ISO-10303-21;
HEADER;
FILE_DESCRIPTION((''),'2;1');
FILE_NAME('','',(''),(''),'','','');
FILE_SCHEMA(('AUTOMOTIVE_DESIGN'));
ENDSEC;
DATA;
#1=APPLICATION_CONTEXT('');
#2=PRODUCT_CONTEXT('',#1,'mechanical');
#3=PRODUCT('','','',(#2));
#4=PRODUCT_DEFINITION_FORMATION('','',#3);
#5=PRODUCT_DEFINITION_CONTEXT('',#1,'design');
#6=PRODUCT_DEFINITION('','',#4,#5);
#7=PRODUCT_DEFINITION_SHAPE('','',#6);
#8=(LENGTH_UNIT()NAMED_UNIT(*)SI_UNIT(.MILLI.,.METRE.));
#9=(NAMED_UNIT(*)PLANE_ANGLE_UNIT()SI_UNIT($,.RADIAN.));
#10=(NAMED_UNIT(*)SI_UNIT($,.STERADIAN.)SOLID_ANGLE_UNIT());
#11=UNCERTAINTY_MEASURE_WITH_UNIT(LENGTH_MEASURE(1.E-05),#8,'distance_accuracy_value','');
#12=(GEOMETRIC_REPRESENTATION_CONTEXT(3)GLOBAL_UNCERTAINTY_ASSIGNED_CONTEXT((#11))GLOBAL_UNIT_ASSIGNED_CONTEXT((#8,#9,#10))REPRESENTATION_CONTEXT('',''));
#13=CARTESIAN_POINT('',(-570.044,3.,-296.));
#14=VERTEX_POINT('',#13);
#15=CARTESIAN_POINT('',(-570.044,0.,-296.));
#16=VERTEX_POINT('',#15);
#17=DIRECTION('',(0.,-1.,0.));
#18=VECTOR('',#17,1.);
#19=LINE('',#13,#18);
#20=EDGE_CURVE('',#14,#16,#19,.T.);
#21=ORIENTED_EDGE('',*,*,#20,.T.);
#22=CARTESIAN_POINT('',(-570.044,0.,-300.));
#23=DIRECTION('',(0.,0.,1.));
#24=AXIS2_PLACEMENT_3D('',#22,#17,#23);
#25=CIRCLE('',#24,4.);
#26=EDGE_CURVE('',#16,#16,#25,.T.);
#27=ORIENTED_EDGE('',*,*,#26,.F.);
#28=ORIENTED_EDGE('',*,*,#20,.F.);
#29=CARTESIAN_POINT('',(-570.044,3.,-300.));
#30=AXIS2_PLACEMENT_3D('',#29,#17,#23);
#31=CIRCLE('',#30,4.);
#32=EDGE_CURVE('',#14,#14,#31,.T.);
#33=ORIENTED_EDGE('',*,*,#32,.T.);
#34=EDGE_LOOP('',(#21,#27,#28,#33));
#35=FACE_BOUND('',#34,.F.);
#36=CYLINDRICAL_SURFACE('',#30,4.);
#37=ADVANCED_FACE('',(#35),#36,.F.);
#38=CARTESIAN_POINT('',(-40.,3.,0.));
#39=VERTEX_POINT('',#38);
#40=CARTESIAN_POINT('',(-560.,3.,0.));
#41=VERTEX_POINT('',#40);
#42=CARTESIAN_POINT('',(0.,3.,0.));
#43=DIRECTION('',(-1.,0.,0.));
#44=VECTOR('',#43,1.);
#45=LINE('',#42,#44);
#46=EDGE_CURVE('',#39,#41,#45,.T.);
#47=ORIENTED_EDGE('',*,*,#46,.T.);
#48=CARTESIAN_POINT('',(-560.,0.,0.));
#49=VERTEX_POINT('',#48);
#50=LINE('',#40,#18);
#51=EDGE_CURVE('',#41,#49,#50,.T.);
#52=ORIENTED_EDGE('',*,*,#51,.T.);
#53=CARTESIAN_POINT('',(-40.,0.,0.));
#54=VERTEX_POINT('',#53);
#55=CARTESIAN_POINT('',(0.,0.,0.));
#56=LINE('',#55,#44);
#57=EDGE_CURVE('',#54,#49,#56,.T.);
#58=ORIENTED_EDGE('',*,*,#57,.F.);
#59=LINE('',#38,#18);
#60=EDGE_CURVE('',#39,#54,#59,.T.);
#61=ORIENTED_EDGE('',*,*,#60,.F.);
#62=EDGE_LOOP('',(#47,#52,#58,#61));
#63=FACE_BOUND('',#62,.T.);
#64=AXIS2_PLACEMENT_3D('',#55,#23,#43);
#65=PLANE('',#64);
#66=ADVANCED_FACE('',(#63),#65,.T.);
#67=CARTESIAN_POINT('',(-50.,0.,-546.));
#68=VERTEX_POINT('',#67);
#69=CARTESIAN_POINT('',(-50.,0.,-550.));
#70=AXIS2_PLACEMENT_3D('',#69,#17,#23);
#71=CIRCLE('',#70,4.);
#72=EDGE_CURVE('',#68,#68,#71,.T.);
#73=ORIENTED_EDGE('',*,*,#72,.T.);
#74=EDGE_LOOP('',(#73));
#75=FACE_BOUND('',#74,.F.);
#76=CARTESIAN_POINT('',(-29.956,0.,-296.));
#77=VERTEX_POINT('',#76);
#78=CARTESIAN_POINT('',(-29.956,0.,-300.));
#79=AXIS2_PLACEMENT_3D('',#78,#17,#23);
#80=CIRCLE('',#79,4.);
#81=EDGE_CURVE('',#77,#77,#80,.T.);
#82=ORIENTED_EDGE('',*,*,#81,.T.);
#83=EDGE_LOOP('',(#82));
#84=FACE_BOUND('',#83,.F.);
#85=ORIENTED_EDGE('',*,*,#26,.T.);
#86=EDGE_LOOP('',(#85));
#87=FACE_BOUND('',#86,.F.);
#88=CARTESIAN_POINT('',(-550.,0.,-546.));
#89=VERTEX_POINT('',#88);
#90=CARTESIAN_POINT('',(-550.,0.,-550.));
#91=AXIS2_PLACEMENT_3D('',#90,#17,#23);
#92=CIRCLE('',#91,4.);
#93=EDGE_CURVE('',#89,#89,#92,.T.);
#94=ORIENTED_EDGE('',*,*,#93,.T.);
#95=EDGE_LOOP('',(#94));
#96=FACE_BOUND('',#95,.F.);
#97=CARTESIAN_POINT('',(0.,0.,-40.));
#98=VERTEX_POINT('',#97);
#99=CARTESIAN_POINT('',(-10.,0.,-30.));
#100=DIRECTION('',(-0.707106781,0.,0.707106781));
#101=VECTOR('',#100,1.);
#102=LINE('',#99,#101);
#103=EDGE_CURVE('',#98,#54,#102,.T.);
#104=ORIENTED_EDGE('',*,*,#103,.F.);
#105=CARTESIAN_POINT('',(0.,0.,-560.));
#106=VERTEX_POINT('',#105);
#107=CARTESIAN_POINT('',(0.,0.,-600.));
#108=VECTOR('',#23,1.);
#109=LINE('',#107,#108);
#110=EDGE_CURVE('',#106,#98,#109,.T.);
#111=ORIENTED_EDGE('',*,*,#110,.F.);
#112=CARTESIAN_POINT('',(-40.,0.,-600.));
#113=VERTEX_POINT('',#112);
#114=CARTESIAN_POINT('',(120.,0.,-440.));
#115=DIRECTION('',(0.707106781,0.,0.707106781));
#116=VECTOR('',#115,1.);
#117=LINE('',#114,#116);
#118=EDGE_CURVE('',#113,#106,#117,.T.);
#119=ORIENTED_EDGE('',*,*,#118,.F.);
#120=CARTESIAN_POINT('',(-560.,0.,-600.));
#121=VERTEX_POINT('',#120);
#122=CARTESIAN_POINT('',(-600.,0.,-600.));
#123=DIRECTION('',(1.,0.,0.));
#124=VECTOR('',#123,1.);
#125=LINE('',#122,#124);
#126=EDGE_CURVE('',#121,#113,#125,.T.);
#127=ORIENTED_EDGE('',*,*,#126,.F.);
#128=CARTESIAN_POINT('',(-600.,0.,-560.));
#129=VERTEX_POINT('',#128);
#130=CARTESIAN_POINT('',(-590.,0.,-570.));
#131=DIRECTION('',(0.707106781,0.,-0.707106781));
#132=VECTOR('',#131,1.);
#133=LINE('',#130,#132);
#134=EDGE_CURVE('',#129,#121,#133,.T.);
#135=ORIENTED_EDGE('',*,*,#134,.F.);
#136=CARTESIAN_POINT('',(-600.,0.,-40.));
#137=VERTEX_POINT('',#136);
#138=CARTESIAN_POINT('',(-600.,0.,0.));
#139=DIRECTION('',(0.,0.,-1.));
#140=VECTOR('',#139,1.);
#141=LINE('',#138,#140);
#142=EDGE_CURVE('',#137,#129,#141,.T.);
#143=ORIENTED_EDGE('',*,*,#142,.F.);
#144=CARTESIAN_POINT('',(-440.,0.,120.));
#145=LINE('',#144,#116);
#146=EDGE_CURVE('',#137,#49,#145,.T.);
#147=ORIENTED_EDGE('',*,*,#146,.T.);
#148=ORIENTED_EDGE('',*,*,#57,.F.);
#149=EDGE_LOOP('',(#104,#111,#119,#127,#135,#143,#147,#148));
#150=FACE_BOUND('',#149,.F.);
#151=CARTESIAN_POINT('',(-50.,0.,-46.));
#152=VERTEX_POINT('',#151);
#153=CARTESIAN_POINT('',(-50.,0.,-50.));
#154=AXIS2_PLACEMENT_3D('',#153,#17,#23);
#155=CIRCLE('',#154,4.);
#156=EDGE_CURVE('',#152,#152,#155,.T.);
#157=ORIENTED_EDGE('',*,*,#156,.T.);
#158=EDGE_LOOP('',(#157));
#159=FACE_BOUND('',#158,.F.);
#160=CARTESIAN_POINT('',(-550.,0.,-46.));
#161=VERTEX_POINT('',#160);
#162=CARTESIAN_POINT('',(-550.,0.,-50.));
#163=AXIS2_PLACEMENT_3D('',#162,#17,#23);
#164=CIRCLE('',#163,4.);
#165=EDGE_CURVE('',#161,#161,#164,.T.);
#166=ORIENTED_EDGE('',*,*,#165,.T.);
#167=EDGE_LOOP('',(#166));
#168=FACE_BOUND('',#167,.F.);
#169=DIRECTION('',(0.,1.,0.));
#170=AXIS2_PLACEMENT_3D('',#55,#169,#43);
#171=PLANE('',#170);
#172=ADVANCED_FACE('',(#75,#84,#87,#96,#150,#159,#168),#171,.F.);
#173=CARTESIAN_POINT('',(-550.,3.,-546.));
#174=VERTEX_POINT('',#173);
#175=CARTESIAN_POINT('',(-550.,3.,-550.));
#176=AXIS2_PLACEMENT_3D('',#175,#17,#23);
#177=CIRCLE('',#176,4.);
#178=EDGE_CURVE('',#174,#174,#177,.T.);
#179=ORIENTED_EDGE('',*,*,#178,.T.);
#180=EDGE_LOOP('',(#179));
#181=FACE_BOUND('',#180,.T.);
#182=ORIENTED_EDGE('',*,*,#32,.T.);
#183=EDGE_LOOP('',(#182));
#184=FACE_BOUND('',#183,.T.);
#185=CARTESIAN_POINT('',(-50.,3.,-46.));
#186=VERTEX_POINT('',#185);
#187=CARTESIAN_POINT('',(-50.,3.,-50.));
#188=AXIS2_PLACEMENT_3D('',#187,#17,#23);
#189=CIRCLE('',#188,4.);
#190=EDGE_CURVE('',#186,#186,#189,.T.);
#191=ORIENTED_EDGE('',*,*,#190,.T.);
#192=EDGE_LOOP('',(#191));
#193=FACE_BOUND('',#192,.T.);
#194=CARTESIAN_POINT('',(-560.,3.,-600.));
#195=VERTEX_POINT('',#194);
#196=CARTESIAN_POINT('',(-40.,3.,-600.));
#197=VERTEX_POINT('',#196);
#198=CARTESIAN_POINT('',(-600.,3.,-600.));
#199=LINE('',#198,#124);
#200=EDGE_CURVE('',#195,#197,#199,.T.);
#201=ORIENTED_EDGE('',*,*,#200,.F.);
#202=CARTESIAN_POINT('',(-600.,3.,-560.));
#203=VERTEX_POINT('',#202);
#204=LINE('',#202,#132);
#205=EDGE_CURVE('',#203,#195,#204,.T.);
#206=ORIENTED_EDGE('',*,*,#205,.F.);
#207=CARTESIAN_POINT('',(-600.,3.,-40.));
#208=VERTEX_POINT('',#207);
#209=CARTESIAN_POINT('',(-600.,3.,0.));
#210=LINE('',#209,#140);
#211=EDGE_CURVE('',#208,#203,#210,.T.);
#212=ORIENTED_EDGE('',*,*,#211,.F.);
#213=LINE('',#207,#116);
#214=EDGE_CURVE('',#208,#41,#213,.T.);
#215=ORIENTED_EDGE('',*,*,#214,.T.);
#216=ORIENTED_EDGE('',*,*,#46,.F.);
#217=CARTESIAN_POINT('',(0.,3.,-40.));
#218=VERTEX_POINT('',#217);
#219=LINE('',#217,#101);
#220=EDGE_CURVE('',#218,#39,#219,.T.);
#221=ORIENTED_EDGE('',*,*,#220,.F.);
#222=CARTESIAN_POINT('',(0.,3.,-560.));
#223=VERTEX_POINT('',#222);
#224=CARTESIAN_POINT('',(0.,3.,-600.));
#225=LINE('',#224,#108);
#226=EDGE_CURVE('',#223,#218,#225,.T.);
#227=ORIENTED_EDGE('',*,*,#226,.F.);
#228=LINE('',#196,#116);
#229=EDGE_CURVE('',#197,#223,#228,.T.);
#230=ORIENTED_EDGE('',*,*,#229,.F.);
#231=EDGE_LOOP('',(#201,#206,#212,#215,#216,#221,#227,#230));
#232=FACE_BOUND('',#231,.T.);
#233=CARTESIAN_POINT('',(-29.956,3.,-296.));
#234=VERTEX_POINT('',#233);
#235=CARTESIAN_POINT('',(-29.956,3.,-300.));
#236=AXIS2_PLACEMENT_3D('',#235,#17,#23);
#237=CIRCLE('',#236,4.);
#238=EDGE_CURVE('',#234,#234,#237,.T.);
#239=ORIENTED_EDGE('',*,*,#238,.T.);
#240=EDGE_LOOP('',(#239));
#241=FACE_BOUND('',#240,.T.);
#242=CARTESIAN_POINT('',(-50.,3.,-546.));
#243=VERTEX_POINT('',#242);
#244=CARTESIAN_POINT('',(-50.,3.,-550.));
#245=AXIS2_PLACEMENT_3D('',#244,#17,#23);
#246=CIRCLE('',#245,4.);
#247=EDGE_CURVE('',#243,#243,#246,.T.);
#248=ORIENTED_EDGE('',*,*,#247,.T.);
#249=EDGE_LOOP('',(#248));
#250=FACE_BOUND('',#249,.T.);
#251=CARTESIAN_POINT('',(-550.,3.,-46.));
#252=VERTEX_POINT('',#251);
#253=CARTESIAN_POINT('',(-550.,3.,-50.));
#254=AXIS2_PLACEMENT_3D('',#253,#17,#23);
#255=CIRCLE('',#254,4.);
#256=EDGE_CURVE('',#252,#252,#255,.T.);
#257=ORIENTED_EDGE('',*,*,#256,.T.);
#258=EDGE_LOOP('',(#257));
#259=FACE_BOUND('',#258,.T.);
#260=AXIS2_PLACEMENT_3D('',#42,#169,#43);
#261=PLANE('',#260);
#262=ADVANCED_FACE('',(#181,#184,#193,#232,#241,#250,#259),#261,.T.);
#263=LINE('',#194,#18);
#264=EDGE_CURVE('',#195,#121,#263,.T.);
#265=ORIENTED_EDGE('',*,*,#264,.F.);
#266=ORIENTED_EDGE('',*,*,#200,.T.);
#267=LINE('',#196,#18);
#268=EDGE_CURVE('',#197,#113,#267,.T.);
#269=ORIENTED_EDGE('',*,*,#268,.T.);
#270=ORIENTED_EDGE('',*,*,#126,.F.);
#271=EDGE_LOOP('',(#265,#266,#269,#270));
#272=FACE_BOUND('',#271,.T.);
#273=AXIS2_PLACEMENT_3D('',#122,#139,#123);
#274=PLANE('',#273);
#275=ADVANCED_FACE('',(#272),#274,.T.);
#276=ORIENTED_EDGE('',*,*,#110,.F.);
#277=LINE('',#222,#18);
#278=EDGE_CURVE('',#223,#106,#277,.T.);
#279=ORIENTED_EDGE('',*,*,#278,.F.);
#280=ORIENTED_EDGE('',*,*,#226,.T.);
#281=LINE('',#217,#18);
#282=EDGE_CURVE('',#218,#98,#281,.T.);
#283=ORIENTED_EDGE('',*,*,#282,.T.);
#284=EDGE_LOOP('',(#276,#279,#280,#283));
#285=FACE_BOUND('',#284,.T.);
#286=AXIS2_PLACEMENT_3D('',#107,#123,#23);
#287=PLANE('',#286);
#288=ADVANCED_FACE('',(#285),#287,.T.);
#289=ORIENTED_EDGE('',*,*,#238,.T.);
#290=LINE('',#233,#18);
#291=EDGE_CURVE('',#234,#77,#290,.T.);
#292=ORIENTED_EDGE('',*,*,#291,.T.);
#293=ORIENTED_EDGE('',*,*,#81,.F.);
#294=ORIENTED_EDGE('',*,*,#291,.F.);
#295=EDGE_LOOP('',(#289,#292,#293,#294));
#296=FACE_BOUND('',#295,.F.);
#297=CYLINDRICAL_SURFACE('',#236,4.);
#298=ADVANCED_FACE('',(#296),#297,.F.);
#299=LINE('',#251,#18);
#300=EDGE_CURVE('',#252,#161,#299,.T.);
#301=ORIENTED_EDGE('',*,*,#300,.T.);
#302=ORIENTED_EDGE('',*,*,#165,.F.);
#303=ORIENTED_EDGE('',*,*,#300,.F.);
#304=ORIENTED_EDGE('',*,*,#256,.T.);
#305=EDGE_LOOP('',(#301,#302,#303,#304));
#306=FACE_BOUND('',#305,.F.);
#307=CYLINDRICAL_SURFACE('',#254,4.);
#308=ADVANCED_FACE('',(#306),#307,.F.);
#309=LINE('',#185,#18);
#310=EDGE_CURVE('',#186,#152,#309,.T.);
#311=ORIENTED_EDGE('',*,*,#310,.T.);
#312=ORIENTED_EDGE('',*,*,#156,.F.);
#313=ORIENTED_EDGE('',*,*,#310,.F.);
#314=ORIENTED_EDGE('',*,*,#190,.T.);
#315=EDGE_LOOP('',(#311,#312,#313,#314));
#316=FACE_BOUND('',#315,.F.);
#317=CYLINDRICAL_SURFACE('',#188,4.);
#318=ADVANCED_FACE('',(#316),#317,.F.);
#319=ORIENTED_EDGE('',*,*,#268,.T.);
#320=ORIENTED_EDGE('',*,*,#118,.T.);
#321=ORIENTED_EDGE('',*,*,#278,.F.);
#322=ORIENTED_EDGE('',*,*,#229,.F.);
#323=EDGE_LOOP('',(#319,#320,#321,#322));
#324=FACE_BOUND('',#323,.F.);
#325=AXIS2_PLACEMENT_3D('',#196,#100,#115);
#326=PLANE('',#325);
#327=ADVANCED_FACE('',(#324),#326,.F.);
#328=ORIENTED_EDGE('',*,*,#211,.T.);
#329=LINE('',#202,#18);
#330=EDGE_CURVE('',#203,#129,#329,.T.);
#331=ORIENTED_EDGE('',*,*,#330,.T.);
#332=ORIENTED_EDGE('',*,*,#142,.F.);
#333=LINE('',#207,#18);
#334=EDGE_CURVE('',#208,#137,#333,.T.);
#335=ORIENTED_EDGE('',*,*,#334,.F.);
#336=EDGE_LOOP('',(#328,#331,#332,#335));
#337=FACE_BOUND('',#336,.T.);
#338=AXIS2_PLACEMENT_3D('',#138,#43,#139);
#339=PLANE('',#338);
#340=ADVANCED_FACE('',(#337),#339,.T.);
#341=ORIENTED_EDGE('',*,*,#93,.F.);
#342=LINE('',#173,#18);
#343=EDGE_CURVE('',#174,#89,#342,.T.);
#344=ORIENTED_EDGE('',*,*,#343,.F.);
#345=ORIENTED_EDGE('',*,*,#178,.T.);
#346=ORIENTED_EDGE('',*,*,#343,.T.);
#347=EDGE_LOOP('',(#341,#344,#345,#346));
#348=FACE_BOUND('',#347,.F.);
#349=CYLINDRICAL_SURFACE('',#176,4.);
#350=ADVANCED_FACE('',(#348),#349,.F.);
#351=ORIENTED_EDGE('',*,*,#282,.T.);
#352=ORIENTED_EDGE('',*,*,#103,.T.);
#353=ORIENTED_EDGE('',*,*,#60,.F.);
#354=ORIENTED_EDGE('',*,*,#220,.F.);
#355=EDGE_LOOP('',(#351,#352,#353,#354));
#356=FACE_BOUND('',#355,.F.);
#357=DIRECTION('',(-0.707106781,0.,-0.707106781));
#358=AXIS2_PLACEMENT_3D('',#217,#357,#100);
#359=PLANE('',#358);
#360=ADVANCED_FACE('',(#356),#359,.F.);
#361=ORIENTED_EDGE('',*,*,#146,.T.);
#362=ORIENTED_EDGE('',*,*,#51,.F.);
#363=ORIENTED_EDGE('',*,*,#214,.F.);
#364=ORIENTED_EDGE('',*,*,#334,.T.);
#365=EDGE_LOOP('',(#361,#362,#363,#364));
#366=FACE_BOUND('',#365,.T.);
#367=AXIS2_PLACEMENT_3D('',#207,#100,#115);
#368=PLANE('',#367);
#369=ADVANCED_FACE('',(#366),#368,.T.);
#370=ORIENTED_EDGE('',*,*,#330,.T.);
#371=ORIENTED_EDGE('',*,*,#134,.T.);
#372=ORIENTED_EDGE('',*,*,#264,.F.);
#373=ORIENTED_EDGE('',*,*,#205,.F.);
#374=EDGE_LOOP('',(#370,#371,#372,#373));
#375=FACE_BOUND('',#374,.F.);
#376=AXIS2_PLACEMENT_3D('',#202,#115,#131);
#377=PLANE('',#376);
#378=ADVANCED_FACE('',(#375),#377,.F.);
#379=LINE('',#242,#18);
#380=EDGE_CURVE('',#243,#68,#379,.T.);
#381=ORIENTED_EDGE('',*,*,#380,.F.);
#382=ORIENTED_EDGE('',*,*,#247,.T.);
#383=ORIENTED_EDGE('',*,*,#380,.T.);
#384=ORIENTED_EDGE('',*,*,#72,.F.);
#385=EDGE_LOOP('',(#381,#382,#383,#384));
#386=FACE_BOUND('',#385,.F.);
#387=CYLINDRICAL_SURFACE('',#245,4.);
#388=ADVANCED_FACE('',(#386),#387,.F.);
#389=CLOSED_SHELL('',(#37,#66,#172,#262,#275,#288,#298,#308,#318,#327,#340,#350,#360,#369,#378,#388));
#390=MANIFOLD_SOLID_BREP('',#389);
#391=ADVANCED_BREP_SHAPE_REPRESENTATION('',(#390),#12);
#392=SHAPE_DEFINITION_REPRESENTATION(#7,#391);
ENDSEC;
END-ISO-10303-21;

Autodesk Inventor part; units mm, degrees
ref_plane "YZ Plane" through (0, 0, 0) normal (1, 0, 0) x (0, 1, 0)
ref_plane "XZ Plane" through (0, 0, 0) normal (0, 1, 0) x (-1, 0, 0)
ref_plane "XY Plane" through (0, 0, 0) normal (0, 0, 1) x (1, 0, 0)
sketch "Esboço1" plane through (0, 0, 0) normal (0, 1, 0) x (-1, 0, 0)
  line L0 (0, 0) -> (600, 0)
  line L1 (600, 0) -> (600, -600)
  line L2 (600, -600) -> (0, -600)
  line L3 (0, -600) -> (0, 0)
extrude "Extrusão1" add sketch "Esboço1" along normal blind 3
sketch "Esboço2" plane through (0, 3, 0) normal (0, 1, 0) x (1, 0, 0)
  point P0 (0, 0)
  point P1 (-50, 50)
  point P2 (-550, 50)
  point P3 (-50, 550)
  point P4 (-550, 550)
hole "Furo1" at (-50, 3, -50) at (-550, 3, -50) at (-50, 3, -550) at (-550, 3, -550) direction (0, -1, 0) diameter 8 end through all
sketch "Esboço3" plane through (0, 3, 0) normal (0, 1, 0) x (1, 0, 0)
  line L0 (0, 0) -> (0, 600) projected
  line L1 (-600, 600) -> (-600, 0) projected
  point P0 (-29.956, 300)
  point P1 (-570.044, 300)
  dimension "d18" = 29.956
  dimension "d19" = 29.956
hole "Furo2" at (-29.956, 3, -300) at (-570.044, 3, -300) direction (0, -1, 0) diameter 8 end through all
sketch "Esboço4" plane through (0, 3, 0) normal (0, 1, 0) x (1, 0, 0)
  line L0 (-600, 0) -> (0, 0) projected
  line L1 (0, 0) -> (0, 40)
  line L2 (0, 0) -> (0, 600) projected
  line L3 (0, 40) -> (-40, 0)
  line L4 (-40, 0) -> (0, 0)
  line L5 (0, 600) -> (-40, 600)
  line L6 (0, 600) -> (-600, 600) projected
  line L7 (-40, 600) -> (0, 560)
  line L8 (0, 600) -> (0, 560)
  line L9 (-600, 600) -> (-600, 0) projected
  line L10 (-600, 600) -> (-600, 560)
  line L11 (-600, 560) -> (-560, 600)
  line L12 (-560, 600) -> (-600, 600)
  line L13 (-600, 0) -> (-600, 40)
  line L14 (-600, 40) -> (-560, 0)
  line L15 (-560, 0) -> (-600, 0)
  dimension "d20" = 40
  dimension "d21" = 45
  dimension "d22" = 40
extrude "Extrusão2" cut sketch "Esboço4" against normal through all contours L9 L14 L0 | L3 L1 L0 | L9 L6 L11 | L7 L5 L2
properties part number "fundo falso" material "MDF - Chapa de fibra de média densidade"
